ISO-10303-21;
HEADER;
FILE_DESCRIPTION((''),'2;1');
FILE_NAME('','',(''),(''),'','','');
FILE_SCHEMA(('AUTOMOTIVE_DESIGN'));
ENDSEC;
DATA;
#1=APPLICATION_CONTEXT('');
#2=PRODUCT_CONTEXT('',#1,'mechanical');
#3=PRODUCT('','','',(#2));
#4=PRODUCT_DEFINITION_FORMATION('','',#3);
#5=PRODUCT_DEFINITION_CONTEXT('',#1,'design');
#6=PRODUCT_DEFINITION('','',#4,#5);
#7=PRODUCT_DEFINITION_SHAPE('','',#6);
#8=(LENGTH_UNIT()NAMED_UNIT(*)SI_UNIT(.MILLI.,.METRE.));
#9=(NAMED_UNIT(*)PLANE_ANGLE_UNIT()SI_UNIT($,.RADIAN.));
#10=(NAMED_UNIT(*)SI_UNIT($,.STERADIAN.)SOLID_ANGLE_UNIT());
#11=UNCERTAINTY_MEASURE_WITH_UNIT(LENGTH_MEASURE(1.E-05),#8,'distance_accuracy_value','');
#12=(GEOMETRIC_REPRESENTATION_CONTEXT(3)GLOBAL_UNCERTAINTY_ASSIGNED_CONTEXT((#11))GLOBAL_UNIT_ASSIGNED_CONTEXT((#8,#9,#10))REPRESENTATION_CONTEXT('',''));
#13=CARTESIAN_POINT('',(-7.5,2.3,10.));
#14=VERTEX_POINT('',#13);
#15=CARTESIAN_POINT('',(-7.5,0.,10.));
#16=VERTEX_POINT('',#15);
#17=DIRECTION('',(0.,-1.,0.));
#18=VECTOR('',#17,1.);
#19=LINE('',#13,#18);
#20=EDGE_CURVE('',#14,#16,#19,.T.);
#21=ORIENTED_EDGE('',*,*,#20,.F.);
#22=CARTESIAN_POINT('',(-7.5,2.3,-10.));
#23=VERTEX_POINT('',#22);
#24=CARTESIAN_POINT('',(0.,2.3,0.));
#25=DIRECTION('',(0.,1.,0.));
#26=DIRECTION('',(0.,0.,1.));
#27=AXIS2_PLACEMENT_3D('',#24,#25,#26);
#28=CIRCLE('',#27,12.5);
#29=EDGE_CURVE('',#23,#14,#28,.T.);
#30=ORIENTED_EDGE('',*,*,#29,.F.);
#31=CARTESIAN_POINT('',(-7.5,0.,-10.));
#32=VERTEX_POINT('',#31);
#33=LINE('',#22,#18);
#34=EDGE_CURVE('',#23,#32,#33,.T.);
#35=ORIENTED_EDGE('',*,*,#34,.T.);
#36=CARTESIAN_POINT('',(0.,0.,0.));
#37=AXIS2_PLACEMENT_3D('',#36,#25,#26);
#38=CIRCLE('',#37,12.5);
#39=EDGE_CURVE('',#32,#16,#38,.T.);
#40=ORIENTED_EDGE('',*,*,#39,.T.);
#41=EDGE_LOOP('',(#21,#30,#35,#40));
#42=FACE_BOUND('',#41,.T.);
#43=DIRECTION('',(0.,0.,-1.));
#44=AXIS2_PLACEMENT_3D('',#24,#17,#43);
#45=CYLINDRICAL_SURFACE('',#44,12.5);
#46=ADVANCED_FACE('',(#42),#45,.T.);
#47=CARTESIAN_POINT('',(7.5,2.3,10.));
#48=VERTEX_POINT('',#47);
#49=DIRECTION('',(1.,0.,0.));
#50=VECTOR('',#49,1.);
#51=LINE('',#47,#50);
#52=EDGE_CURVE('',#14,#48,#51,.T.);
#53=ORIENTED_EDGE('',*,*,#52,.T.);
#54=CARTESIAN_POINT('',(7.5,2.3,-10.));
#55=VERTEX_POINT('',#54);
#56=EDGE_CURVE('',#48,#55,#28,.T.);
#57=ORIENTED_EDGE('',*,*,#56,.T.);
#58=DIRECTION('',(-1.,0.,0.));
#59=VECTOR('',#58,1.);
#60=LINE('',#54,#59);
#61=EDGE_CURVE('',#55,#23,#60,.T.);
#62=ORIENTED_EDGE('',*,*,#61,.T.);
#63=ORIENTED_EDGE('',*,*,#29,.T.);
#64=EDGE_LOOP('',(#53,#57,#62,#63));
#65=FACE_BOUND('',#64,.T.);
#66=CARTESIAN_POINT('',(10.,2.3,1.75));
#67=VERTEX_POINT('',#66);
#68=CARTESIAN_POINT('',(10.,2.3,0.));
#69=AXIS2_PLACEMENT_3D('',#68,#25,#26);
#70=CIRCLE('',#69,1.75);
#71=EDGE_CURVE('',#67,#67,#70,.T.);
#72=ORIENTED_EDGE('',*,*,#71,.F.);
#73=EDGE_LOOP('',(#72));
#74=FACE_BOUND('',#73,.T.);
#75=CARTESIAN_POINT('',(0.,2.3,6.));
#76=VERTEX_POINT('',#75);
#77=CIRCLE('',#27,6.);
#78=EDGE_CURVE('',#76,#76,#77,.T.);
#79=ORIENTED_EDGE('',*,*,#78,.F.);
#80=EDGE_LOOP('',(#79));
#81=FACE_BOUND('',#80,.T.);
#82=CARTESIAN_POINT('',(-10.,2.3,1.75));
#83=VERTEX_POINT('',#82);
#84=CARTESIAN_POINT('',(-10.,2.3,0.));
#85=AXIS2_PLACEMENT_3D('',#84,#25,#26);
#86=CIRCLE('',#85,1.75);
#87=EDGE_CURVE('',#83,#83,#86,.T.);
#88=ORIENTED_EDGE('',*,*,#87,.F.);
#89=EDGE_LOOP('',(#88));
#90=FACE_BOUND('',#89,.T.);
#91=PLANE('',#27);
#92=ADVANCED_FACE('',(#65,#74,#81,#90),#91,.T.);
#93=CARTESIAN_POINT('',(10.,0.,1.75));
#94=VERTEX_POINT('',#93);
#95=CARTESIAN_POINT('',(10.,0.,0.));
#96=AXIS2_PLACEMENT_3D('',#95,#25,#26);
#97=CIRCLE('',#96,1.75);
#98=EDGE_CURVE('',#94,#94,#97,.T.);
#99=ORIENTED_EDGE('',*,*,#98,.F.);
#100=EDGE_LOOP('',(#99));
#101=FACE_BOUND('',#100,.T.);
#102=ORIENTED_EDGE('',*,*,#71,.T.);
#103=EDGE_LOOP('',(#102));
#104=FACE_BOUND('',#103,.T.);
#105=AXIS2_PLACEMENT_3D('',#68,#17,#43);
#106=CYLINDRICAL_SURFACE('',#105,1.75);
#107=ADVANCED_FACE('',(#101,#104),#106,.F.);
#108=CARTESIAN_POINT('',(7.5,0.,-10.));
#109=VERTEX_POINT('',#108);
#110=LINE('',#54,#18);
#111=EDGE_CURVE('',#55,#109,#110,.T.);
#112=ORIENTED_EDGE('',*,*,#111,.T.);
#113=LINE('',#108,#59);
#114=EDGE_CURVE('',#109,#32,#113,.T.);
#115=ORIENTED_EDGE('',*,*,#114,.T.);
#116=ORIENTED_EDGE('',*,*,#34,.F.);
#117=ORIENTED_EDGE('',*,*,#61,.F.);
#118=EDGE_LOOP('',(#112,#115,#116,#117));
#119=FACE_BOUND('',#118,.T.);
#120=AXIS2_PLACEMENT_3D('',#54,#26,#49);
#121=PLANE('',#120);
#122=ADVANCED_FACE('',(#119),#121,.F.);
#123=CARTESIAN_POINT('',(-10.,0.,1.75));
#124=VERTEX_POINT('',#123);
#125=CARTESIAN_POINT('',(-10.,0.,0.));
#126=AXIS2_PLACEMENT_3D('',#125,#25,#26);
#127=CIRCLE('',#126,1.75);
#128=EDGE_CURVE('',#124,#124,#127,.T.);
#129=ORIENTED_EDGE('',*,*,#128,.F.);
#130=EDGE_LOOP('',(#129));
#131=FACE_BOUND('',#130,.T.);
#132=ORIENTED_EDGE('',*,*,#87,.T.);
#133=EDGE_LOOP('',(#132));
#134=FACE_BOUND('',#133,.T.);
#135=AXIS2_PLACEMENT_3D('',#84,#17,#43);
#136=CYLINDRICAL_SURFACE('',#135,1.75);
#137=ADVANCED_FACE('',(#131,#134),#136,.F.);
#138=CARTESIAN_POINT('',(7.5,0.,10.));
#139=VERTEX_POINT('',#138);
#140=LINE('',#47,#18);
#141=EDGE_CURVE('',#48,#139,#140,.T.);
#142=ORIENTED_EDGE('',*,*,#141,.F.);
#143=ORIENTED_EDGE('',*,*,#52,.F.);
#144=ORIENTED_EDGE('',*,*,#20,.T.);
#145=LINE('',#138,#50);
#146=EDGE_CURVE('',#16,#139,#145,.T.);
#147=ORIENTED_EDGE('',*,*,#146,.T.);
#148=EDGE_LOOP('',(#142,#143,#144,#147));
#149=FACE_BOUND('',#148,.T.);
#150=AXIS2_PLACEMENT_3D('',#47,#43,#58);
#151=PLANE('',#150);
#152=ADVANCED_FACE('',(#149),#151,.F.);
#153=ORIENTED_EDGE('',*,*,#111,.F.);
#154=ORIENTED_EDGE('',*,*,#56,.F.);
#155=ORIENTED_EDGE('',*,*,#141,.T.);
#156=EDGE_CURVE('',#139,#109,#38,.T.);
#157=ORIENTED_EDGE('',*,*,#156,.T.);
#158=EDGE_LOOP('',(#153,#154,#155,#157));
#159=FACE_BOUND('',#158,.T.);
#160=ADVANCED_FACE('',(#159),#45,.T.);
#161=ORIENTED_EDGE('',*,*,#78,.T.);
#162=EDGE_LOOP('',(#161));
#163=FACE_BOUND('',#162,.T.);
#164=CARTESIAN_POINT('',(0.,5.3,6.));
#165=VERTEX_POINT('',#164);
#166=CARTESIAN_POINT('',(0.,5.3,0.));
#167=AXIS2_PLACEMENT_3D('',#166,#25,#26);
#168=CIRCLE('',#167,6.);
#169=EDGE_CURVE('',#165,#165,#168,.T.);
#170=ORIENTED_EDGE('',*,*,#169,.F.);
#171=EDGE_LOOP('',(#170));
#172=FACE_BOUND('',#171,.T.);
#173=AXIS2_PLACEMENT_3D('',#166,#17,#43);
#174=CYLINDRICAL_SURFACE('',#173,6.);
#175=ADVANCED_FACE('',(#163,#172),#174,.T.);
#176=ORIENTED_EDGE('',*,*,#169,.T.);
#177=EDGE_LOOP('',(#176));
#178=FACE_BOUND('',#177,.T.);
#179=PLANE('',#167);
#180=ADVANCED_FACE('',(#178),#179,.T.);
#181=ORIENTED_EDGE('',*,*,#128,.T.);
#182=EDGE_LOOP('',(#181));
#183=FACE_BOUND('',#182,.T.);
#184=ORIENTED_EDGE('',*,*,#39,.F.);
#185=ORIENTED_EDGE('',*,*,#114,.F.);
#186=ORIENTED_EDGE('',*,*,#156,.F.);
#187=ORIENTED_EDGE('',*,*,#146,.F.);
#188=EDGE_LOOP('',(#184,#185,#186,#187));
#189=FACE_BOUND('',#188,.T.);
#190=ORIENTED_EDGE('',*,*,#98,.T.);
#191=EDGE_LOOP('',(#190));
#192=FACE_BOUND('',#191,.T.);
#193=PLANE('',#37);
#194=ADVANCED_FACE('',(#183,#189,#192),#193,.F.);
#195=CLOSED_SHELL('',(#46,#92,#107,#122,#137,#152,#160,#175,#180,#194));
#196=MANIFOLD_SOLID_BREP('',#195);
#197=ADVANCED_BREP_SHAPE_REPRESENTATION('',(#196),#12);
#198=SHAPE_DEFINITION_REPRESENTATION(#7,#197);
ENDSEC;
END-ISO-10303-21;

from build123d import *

# Parameters (mm, degrees)
SKETCH1_R           = 1.75
BOSS_EXTRUDE1_DEPTH = 2.3
SKETCH3_R           = 6
BOSS_EXTRUDE2_DEPTH = 3


with BuildPart() as part:
    # Sketch1 → Boss-Extrude1 (new body)
    with BuildSketch(Plane(origin=(0, 0, 0), x_dir=(1, 0, 0), z_dir=(0, 1, 0))):
        with BuildLine():
            Line((7.5, -10), (-7.5, -10))
            ThreePointArc((-7.5, -10), (-12.5, 0), (-7.5, 10))
            Line((-7.5, 10), (7.5, 10))
            ThreePointArc((7.5, 10), (12.5, 0), (7.5, -10))
        make_face()
        with Locations((10, 0)):
            Circle(SKETCH1_R, mode=Mode.SUBTRACT)
        with Locations((-10, 0)):
            Circle(SKETCH1_R, mode=Mode.SUBTRACT)
    extrude(amount=BOSS_EXTRUDE1_DEPTH)

    # Sketch3 → Boss-Extrude2 (add)
    with BuildSketch(Plane(origin=(0, 2.3, 0), x_dir=(1, 0, 0), z_dir=(0, 1, 0))):
        Circle(SKETCH3_R)
    extrude(amount=BOSS_EXTRUDE2_DEPTH)


solid = part.part
